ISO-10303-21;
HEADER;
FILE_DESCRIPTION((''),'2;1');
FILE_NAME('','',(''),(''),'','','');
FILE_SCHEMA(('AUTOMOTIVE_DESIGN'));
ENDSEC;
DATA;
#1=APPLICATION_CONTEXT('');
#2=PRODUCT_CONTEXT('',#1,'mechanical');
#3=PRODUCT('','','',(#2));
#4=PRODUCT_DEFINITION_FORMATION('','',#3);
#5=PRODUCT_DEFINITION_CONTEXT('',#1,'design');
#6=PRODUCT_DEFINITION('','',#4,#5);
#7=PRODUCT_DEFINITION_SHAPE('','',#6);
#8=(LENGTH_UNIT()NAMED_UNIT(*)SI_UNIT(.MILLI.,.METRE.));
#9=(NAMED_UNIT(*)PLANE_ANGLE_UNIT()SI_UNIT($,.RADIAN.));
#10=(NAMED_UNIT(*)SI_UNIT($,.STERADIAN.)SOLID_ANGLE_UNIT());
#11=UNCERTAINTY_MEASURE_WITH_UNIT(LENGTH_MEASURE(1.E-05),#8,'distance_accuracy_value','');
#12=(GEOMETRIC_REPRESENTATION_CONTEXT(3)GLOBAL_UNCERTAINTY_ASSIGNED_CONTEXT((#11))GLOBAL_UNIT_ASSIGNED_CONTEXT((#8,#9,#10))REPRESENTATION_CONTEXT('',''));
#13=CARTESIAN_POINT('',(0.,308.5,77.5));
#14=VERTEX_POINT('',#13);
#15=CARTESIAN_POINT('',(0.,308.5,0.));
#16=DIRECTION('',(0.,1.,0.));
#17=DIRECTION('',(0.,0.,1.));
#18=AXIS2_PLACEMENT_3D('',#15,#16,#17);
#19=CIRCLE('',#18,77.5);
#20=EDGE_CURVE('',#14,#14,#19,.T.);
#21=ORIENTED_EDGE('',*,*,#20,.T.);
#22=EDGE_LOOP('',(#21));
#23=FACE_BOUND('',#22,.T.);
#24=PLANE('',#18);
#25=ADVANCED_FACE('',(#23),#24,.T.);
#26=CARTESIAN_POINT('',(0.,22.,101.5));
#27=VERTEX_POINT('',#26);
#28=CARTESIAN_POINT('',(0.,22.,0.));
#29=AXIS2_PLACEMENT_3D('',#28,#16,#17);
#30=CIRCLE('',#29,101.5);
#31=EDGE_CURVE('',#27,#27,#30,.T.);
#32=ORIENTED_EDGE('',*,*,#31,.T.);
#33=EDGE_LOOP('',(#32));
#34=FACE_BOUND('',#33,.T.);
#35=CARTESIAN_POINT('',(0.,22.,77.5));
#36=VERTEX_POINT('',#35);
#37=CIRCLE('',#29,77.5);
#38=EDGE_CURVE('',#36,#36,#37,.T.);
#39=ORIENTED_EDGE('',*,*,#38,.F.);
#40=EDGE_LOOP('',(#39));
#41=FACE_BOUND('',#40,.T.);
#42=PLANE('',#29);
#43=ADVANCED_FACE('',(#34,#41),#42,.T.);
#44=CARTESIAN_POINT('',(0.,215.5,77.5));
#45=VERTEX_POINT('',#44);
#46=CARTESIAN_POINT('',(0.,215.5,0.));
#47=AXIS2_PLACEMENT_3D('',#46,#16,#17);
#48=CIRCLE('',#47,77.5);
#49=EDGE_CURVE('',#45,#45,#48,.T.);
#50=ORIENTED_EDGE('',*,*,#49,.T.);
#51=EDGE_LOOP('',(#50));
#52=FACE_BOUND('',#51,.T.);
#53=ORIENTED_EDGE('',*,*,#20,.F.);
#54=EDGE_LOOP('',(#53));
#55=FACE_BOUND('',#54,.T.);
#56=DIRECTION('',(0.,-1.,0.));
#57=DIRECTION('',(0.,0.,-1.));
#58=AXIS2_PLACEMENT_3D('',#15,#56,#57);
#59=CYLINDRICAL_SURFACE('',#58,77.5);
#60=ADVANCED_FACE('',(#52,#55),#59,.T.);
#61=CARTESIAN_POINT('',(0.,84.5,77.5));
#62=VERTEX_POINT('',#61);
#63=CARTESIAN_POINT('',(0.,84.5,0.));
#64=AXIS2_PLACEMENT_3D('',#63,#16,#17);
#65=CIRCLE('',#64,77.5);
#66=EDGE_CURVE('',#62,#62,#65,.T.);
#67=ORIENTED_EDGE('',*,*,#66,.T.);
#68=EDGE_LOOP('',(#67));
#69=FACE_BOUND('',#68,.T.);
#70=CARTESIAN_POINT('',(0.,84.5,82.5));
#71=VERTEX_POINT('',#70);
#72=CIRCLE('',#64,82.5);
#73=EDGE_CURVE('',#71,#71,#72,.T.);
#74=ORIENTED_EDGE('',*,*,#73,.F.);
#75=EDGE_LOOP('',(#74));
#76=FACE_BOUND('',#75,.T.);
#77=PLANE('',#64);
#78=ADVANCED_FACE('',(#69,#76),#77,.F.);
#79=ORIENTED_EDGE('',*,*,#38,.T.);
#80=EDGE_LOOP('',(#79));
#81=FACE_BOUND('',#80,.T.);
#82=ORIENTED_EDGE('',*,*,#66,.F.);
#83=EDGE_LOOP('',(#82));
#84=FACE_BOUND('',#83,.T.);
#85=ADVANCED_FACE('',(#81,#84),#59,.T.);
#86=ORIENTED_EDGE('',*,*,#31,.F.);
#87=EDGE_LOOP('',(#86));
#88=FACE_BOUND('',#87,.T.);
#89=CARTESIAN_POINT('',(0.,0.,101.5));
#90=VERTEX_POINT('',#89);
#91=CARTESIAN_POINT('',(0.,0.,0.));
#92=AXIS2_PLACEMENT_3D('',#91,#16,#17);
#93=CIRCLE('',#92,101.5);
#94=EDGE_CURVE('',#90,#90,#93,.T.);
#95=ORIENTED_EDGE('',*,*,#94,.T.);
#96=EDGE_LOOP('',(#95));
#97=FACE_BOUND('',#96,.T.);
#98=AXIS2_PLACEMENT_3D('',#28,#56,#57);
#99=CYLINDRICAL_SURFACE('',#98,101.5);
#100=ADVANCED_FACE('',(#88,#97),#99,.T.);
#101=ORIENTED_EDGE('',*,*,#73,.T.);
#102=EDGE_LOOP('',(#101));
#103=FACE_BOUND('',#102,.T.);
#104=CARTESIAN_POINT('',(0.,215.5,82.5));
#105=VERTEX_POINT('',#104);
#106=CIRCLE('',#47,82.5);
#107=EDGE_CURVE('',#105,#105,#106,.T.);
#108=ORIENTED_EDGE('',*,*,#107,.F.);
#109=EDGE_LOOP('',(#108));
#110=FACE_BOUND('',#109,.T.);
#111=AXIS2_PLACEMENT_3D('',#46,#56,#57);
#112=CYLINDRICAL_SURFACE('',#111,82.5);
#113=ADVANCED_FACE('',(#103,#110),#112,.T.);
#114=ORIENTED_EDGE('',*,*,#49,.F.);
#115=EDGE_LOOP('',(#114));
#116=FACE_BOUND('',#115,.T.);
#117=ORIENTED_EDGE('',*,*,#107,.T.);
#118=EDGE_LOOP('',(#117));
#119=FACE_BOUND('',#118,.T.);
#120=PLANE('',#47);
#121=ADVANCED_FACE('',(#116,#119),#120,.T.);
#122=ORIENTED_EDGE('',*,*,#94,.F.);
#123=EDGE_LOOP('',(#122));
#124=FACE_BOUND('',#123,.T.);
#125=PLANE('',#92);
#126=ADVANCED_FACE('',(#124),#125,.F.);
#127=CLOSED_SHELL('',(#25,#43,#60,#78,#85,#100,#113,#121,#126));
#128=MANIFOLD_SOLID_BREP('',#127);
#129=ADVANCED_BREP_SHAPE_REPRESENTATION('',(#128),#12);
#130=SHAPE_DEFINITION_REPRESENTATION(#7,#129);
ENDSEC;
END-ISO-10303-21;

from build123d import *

# Parameters (mm, degrees)
CROQUIS1_R              = 101.5
SALIENTE_EXTRUIR1_DEPTH = 22
CROQUIS2_R              = 77.5
SALIENTE_EXTRUIR2_DEPTH = 286.5
CROQUIS3_R              = 82.5
SALIENTE_EXTRUIR3_DEPTH = 131


with BuildPart() as part:
    # Croquis1 → Saliente-Extruir1 (new body)
    with BuildSketch(Plane(origin=(0, 0, 0), x_dir=(1, 0, 0), z_dir=(0, 1, 0))):
        Circle(CROQUIS1_R)
    extrude(amount=SALIENTE_EXTRUIR1_DEPTH)

    # Croquis2 → Saliente-Extruir2 (add)
    with BuildSketch(Plane(origin=(0, 22, 0), x_dir=(1, 0, 0), z_dir=(0, 1, 0))):
        Circle(CROQUIS2_R)
    extrude(amount=SALIENTE_EXTRUIR2_DEPTH)

    # Croquis3 → Saliente-Extruir3 (add)
    with BuildSketch(Plane(origin=(0, 84.5, 0), x_dir=(1, 0, 0), z_dir=(0, 1, 0))):
        Circle(CROQUIS3_R)
    extrude(amount=SALIENTE_EXTRUIR3_DEPTH)


solid = part.part
